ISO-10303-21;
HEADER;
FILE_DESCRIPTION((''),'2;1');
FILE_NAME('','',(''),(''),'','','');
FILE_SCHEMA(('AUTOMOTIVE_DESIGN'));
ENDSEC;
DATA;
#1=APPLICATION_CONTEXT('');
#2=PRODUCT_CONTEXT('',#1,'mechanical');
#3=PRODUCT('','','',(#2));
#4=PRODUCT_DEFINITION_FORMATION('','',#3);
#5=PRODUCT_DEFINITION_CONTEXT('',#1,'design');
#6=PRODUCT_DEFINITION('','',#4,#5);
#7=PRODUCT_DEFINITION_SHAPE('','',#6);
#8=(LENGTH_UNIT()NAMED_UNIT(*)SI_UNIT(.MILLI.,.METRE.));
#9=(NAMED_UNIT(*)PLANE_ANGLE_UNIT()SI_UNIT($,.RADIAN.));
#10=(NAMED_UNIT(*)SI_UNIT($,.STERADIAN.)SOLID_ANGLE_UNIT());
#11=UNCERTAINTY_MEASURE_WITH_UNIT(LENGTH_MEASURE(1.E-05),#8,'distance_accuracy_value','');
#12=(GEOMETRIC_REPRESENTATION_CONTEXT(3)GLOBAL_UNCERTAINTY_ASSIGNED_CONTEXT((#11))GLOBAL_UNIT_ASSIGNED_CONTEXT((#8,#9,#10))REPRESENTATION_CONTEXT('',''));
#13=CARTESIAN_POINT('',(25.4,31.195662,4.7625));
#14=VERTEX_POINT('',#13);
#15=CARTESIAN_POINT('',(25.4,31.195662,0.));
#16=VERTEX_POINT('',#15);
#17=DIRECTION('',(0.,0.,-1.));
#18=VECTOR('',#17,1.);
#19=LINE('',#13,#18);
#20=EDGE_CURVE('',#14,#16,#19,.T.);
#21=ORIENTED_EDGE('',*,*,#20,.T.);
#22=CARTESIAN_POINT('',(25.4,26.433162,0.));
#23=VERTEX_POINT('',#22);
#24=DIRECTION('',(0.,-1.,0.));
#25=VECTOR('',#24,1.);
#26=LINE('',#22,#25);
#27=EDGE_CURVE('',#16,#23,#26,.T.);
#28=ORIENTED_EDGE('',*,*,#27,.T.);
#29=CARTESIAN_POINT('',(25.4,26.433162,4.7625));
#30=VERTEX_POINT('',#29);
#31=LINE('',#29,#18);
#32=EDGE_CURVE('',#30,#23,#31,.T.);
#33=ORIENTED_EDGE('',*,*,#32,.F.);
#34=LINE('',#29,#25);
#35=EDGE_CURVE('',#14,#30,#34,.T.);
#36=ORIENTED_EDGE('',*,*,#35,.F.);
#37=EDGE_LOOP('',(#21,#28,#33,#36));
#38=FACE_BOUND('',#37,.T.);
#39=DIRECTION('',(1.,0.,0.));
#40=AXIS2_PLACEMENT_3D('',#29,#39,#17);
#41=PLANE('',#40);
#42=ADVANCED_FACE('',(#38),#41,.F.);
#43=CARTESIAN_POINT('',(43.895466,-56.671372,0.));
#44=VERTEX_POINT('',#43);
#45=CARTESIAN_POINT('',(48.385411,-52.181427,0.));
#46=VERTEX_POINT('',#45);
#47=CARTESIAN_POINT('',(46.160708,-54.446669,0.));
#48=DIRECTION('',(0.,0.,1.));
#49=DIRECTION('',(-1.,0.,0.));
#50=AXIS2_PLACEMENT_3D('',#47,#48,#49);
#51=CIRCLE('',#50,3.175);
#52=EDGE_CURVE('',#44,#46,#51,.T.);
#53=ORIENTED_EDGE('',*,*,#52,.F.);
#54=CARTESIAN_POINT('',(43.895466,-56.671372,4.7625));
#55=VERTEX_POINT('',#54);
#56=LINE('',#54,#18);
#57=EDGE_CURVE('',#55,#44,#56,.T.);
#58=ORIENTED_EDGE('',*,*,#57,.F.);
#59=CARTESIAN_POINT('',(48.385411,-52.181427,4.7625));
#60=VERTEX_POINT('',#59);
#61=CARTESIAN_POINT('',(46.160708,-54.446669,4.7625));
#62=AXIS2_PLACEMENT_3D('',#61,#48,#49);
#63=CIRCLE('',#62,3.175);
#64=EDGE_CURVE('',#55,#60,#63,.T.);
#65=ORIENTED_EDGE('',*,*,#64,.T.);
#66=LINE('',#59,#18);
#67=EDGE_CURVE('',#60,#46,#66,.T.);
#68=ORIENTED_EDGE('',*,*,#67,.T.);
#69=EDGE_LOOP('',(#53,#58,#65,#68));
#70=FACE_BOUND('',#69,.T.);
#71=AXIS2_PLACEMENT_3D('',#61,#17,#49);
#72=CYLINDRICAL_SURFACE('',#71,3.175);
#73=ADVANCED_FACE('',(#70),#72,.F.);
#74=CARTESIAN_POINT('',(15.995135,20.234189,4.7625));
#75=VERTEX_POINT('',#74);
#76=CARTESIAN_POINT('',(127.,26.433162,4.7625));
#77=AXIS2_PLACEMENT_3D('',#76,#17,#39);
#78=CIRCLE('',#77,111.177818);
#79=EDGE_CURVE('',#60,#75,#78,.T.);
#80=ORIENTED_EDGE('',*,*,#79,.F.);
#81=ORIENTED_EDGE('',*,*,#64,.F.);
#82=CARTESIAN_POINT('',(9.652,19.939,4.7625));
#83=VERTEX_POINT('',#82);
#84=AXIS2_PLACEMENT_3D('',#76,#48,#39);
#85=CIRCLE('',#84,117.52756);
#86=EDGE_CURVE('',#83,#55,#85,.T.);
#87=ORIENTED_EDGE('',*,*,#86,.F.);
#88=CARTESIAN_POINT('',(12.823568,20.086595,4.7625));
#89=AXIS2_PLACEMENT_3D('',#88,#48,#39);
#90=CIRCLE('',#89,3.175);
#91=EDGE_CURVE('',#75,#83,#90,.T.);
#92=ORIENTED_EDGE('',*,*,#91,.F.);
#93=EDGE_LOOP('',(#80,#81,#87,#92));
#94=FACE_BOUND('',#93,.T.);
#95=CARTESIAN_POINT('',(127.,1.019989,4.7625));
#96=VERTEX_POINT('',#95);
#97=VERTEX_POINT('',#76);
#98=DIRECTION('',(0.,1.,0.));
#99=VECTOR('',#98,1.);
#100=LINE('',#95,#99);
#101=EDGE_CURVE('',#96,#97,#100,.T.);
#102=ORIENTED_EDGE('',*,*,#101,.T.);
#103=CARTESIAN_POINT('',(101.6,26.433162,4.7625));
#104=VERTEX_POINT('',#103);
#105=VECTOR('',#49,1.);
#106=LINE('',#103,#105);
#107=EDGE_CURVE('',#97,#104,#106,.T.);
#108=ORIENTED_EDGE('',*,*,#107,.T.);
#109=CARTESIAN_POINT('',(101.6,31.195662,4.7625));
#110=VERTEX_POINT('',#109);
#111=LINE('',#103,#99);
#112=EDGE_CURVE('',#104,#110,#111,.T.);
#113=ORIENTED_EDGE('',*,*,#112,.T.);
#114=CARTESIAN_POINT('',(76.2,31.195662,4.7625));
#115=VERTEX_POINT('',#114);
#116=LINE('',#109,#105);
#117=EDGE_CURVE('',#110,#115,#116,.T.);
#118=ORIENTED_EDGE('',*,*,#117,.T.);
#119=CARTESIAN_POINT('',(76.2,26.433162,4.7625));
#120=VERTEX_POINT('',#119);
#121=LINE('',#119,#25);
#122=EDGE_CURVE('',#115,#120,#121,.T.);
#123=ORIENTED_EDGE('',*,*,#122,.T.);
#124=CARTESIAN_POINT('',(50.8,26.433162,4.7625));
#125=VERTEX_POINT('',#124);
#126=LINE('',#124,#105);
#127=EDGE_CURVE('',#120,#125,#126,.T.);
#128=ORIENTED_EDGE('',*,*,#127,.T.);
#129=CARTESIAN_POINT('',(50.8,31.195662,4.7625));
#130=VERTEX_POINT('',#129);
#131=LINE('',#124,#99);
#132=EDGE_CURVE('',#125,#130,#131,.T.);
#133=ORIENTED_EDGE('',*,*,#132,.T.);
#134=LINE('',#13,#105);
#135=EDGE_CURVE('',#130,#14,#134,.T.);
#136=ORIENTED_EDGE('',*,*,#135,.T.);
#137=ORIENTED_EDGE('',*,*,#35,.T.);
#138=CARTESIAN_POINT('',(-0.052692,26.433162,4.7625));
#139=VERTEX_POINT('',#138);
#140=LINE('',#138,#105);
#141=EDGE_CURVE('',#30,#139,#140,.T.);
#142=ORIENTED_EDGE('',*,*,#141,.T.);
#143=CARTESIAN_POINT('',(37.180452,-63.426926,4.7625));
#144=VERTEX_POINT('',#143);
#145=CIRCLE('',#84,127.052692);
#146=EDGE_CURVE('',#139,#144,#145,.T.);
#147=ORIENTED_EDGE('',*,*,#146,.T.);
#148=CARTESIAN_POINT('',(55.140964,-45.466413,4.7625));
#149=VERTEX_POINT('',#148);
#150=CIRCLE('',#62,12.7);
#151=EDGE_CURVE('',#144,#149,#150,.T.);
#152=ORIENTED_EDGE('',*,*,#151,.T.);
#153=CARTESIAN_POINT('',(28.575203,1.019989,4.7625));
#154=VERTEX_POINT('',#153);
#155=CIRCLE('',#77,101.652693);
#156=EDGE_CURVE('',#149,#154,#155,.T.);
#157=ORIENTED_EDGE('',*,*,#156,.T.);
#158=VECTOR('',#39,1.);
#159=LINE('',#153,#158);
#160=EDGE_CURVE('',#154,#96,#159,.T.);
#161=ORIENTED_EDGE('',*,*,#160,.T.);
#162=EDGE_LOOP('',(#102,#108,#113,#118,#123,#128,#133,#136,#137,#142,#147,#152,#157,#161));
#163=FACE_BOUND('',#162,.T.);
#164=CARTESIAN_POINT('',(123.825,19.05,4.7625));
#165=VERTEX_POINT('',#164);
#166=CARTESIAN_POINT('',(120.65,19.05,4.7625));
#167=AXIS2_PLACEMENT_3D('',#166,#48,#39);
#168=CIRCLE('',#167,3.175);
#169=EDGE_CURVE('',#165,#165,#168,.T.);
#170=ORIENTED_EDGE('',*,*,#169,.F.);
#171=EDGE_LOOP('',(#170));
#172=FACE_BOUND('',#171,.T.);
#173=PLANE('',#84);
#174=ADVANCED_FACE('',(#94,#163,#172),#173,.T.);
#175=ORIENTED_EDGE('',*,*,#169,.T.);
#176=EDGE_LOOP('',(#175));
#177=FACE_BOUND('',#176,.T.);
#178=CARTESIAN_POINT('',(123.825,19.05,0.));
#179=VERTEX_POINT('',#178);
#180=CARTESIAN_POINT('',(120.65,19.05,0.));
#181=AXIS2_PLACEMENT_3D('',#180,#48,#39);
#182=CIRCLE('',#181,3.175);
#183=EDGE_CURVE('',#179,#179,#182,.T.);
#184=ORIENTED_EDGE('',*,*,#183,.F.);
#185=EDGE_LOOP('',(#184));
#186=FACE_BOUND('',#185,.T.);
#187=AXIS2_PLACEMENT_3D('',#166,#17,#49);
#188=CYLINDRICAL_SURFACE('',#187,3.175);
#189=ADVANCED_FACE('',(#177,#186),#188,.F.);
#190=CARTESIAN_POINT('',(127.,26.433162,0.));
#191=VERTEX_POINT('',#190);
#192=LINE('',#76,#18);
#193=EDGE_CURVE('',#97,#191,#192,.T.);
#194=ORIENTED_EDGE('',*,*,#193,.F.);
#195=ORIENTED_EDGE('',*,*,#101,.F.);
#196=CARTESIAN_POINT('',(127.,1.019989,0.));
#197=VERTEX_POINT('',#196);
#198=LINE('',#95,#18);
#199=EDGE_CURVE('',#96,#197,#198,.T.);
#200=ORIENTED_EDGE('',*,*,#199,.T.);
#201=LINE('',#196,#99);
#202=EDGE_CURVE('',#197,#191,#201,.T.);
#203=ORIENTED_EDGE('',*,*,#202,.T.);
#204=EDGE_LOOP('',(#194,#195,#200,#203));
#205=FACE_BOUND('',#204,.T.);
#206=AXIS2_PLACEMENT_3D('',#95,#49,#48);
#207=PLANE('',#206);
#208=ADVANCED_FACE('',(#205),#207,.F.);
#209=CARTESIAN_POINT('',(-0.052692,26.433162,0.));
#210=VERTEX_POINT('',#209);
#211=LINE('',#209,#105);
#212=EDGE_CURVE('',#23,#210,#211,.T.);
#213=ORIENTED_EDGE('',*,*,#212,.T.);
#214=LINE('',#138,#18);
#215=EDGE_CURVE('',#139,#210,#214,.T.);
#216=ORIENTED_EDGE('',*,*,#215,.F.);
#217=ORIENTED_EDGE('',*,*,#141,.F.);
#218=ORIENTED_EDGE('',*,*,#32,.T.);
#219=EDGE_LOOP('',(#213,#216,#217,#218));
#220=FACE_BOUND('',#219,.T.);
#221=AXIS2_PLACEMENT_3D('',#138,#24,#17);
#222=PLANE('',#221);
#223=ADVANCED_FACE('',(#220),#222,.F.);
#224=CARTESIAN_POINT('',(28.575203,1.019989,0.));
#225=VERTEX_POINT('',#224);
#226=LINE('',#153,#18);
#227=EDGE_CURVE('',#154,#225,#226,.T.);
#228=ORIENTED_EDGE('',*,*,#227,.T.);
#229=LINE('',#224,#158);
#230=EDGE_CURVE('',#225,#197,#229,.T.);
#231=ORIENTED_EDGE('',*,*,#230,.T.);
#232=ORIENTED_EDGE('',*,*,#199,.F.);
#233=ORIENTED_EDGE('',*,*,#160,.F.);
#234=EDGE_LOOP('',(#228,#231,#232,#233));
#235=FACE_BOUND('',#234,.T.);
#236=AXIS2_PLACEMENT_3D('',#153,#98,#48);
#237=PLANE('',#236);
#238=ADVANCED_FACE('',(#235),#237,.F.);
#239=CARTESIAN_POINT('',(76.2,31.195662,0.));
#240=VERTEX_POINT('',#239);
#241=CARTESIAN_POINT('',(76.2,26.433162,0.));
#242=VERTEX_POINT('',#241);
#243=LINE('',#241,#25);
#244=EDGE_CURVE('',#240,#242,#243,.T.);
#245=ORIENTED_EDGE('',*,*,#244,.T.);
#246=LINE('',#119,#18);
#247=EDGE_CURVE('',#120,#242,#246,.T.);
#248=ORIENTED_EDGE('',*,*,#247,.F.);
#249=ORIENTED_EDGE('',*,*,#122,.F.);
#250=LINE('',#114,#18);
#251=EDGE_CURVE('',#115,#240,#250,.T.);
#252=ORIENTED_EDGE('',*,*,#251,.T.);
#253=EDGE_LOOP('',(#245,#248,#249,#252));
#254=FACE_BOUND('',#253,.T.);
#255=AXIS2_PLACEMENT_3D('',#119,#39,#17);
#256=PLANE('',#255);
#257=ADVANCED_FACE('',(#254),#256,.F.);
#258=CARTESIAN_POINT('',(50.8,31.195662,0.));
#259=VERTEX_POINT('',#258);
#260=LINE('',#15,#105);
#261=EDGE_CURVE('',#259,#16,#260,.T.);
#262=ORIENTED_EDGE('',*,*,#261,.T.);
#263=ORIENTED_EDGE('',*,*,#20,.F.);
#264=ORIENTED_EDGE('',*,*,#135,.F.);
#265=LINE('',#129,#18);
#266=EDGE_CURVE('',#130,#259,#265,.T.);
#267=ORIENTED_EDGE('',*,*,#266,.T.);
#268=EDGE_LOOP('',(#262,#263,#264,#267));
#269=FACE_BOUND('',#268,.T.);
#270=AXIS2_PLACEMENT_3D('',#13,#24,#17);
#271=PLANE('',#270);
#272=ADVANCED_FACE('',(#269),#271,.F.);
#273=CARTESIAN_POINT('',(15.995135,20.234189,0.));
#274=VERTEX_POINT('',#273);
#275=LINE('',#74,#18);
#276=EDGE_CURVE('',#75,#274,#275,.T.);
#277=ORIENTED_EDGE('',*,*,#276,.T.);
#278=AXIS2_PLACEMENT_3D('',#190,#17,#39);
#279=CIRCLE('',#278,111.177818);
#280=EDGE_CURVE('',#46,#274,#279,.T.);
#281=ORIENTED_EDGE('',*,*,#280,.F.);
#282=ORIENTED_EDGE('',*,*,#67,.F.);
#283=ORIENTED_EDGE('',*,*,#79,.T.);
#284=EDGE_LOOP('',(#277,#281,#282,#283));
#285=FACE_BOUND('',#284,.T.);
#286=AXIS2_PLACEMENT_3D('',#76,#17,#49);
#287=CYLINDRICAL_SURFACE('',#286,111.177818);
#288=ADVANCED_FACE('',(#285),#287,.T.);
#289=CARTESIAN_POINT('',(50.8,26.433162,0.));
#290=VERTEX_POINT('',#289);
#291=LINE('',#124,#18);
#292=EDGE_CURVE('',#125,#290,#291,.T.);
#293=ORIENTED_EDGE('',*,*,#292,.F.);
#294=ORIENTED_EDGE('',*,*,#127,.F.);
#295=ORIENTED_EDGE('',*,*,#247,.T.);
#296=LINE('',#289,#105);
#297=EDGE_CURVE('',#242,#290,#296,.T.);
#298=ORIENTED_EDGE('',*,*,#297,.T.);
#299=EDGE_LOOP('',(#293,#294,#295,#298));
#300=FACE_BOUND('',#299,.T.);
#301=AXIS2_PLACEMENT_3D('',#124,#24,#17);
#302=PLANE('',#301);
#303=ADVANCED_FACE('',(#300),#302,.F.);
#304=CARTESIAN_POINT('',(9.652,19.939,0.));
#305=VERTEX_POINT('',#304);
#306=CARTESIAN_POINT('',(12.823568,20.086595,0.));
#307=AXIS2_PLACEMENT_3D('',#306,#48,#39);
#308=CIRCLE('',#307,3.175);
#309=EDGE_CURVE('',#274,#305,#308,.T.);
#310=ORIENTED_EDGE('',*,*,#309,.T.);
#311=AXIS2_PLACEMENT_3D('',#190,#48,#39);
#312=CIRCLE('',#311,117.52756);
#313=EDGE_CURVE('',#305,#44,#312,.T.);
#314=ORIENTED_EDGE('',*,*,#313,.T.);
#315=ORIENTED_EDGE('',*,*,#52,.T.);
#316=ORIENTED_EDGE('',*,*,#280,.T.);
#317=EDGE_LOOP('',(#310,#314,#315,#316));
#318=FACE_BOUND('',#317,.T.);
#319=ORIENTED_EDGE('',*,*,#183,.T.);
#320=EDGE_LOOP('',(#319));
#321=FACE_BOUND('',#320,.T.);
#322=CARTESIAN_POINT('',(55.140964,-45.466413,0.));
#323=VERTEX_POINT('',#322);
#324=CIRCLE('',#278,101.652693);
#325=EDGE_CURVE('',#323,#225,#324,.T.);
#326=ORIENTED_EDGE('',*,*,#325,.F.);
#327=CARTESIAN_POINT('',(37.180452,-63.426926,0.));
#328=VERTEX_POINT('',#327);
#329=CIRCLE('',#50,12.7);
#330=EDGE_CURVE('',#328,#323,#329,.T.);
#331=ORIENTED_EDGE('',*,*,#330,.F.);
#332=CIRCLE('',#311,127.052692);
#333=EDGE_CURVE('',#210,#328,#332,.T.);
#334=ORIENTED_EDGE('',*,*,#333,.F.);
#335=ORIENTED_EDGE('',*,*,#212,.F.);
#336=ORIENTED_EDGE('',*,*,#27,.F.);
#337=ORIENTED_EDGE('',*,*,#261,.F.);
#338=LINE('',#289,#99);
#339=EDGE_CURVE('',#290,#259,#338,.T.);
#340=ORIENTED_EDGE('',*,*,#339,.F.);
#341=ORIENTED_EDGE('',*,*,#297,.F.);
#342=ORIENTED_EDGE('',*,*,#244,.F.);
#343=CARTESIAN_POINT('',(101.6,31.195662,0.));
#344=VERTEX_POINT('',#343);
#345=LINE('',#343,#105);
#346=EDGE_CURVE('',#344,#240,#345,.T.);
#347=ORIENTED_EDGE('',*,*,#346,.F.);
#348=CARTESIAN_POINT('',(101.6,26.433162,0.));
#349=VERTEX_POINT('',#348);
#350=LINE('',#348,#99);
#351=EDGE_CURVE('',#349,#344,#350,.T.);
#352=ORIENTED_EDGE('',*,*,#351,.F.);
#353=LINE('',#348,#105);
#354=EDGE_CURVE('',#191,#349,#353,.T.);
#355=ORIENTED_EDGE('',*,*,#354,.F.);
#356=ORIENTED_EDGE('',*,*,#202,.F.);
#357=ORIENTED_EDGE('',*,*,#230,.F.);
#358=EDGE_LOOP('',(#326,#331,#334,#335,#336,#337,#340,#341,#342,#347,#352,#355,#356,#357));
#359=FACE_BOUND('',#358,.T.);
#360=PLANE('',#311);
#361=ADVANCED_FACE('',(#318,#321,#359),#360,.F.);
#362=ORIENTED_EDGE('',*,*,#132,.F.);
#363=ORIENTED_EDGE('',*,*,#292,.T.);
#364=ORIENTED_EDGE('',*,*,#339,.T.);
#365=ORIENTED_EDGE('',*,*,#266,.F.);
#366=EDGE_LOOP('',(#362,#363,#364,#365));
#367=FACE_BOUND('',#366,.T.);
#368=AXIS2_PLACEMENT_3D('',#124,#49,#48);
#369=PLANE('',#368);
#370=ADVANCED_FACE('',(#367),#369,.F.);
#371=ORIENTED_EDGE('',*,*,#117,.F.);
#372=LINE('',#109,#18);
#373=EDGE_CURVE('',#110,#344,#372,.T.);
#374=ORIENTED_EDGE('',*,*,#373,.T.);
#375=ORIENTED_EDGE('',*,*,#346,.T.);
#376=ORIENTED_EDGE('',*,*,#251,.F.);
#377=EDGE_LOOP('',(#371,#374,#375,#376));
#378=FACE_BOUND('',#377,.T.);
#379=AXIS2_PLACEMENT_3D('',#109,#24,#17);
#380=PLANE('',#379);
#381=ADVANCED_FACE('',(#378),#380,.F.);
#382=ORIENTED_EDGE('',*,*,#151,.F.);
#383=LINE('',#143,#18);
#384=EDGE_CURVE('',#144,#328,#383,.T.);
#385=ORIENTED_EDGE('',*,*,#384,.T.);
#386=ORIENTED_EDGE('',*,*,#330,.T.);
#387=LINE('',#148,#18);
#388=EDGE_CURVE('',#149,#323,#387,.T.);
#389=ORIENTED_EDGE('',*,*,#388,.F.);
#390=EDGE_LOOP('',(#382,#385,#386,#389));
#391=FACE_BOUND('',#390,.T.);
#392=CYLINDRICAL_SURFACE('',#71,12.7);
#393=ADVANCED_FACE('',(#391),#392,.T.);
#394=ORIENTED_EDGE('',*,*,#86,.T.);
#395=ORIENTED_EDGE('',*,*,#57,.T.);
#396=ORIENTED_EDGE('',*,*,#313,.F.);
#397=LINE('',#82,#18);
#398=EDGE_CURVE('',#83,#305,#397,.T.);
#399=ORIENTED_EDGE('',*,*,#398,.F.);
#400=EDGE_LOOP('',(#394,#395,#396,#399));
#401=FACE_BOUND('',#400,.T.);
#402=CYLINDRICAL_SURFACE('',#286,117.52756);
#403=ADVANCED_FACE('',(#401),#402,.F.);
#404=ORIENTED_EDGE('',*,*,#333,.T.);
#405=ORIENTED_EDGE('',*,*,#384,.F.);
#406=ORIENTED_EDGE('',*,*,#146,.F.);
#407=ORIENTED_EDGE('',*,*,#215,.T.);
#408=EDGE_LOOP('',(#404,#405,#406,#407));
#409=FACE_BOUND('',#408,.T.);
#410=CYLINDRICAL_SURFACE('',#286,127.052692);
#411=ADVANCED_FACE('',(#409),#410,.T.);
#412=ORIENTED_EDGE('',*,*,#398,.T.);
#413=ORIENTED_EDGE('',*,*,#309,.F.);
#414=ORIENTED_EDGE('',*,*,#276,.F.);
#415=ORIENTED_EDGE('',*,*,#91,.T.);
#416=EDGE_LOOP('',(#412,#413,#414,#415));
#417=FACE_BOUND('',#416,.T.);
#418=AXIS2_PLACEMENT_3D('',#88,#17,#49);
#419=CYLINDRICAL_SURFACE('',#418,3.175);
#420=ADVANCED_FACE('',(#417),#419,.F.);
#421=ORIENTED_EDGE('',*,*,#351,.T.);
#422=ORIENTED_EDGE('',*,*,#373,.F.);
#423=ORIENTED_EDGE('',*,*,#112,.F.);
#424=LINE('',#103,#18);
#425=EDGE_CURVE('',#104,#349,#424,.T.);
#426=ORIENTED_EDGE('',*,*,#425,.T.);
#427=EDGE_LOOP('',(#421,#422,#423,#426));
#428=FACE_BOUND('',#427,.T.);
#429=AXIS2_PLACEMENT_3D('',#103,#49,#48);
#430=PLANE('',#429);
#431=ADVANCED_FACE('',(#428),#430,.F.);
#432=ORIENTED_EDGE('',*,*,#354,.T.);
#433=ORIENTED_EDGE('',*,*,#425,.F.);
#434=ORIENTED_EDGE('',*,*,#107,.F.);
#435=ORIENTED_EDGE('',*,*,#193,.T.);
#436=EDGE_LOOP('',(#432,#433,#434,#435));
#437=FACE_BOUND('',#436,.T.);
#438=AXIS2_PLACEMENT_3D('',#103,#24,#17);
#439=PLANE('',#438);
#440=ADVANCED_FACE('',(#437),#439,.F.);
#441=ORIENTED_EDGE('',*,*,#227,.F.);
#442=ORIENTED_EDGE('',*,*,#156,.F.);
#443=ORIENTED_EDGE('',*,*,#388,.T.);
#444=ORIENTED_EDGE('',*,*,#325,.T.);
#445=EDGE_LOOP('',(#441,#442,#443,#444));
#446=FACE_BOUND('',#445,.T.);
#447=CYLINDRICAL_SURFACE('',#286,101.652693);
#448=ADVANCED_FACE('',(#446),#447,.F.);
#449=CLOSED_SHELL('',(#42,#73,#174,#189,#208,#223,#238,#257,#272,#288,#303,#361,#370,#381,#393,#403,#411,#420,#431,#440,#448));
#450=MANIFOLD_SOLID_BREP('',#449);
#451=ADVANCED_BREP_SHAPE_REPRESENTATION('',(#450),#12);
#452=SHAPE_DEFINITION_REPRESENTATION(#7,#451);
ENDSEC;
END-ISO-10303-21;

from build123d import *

# Parameters (mm, degrees)
SKETCH1_R           = 3.175
BOSS_EXTRUDE1_DEPTH = 4.7625


with BuildPart() as part:
    # Sketch1 → Boss-Extrude1 (new body)
    with BuildSketch(Plane.XY):
        with BuildLine():
            Line((50.8, 26.433162162), (76.2, 26.433162162))
            Line((76.2, 26.433162162), (76.2, 31.195662162))
            Line((76.2, 31.195662162), (101.6, 31.195662162))
            Line((101.6, 31.195662162), (101.6, 26.433162162))
            Line((101.6, 26.433162162), (127, 26.433162162))
            Line((127, 26.433162162), (127, 1.01998892))
            Line((127, 1.01998892), (28.57520326, 1.01998892))
            ThreePointArc((28.57520326, 1.01998892), (38.742465974, -24.003706053), (55.140964092, -45.46641326))
            ThreePointArc((55.140964092, -45.46641326), (55.140964092, -63.426925502), (37.180451849, -63.426925502))
            ThreePointArc((37.180451849, -63.426925502), (9.624103867, -22.201039712), (-0.05269216, 26.433162162))
            Line((-0.05269216, 26.433162162), (25.4, 26.433162162))
            Line((25.4, 26.433162162), (25.4, 31.195662162))
            Line((25.4, 31.195662162), (50.8, 31.195662162))
            Line((50.8, 31.195662162), (50.8, 26.433162162))
        make_face()
        with Locations((120.65, 19.05)):
            Circle(SKETCH1_R, mode=Mode.SUBTRACT)
        with BuildLine():
            ThreePointArc((15.995135135, 20.234189189), (12.675972973, 23.258162162), (9.652, 19.939))
            ThreePointArc((9.652, 19.939), (19.70325304, -21.526564047), (43.895465689, -56.671372149))
            ThreePointArc((43.895465689, -56.671372149), (48.405772001, -56.691733412), (48.385410738, -52.1814271))
            ThreePointArc((48.385410738, -52.1814271), (25.511627679, -18.960863581), (15.995135135, 20.234189189))
        make_face(mode=Mode.SUBTRACT)
    extrude(amount=BOSS_EXTRUDE1_DEPTH)


solid = part.part
